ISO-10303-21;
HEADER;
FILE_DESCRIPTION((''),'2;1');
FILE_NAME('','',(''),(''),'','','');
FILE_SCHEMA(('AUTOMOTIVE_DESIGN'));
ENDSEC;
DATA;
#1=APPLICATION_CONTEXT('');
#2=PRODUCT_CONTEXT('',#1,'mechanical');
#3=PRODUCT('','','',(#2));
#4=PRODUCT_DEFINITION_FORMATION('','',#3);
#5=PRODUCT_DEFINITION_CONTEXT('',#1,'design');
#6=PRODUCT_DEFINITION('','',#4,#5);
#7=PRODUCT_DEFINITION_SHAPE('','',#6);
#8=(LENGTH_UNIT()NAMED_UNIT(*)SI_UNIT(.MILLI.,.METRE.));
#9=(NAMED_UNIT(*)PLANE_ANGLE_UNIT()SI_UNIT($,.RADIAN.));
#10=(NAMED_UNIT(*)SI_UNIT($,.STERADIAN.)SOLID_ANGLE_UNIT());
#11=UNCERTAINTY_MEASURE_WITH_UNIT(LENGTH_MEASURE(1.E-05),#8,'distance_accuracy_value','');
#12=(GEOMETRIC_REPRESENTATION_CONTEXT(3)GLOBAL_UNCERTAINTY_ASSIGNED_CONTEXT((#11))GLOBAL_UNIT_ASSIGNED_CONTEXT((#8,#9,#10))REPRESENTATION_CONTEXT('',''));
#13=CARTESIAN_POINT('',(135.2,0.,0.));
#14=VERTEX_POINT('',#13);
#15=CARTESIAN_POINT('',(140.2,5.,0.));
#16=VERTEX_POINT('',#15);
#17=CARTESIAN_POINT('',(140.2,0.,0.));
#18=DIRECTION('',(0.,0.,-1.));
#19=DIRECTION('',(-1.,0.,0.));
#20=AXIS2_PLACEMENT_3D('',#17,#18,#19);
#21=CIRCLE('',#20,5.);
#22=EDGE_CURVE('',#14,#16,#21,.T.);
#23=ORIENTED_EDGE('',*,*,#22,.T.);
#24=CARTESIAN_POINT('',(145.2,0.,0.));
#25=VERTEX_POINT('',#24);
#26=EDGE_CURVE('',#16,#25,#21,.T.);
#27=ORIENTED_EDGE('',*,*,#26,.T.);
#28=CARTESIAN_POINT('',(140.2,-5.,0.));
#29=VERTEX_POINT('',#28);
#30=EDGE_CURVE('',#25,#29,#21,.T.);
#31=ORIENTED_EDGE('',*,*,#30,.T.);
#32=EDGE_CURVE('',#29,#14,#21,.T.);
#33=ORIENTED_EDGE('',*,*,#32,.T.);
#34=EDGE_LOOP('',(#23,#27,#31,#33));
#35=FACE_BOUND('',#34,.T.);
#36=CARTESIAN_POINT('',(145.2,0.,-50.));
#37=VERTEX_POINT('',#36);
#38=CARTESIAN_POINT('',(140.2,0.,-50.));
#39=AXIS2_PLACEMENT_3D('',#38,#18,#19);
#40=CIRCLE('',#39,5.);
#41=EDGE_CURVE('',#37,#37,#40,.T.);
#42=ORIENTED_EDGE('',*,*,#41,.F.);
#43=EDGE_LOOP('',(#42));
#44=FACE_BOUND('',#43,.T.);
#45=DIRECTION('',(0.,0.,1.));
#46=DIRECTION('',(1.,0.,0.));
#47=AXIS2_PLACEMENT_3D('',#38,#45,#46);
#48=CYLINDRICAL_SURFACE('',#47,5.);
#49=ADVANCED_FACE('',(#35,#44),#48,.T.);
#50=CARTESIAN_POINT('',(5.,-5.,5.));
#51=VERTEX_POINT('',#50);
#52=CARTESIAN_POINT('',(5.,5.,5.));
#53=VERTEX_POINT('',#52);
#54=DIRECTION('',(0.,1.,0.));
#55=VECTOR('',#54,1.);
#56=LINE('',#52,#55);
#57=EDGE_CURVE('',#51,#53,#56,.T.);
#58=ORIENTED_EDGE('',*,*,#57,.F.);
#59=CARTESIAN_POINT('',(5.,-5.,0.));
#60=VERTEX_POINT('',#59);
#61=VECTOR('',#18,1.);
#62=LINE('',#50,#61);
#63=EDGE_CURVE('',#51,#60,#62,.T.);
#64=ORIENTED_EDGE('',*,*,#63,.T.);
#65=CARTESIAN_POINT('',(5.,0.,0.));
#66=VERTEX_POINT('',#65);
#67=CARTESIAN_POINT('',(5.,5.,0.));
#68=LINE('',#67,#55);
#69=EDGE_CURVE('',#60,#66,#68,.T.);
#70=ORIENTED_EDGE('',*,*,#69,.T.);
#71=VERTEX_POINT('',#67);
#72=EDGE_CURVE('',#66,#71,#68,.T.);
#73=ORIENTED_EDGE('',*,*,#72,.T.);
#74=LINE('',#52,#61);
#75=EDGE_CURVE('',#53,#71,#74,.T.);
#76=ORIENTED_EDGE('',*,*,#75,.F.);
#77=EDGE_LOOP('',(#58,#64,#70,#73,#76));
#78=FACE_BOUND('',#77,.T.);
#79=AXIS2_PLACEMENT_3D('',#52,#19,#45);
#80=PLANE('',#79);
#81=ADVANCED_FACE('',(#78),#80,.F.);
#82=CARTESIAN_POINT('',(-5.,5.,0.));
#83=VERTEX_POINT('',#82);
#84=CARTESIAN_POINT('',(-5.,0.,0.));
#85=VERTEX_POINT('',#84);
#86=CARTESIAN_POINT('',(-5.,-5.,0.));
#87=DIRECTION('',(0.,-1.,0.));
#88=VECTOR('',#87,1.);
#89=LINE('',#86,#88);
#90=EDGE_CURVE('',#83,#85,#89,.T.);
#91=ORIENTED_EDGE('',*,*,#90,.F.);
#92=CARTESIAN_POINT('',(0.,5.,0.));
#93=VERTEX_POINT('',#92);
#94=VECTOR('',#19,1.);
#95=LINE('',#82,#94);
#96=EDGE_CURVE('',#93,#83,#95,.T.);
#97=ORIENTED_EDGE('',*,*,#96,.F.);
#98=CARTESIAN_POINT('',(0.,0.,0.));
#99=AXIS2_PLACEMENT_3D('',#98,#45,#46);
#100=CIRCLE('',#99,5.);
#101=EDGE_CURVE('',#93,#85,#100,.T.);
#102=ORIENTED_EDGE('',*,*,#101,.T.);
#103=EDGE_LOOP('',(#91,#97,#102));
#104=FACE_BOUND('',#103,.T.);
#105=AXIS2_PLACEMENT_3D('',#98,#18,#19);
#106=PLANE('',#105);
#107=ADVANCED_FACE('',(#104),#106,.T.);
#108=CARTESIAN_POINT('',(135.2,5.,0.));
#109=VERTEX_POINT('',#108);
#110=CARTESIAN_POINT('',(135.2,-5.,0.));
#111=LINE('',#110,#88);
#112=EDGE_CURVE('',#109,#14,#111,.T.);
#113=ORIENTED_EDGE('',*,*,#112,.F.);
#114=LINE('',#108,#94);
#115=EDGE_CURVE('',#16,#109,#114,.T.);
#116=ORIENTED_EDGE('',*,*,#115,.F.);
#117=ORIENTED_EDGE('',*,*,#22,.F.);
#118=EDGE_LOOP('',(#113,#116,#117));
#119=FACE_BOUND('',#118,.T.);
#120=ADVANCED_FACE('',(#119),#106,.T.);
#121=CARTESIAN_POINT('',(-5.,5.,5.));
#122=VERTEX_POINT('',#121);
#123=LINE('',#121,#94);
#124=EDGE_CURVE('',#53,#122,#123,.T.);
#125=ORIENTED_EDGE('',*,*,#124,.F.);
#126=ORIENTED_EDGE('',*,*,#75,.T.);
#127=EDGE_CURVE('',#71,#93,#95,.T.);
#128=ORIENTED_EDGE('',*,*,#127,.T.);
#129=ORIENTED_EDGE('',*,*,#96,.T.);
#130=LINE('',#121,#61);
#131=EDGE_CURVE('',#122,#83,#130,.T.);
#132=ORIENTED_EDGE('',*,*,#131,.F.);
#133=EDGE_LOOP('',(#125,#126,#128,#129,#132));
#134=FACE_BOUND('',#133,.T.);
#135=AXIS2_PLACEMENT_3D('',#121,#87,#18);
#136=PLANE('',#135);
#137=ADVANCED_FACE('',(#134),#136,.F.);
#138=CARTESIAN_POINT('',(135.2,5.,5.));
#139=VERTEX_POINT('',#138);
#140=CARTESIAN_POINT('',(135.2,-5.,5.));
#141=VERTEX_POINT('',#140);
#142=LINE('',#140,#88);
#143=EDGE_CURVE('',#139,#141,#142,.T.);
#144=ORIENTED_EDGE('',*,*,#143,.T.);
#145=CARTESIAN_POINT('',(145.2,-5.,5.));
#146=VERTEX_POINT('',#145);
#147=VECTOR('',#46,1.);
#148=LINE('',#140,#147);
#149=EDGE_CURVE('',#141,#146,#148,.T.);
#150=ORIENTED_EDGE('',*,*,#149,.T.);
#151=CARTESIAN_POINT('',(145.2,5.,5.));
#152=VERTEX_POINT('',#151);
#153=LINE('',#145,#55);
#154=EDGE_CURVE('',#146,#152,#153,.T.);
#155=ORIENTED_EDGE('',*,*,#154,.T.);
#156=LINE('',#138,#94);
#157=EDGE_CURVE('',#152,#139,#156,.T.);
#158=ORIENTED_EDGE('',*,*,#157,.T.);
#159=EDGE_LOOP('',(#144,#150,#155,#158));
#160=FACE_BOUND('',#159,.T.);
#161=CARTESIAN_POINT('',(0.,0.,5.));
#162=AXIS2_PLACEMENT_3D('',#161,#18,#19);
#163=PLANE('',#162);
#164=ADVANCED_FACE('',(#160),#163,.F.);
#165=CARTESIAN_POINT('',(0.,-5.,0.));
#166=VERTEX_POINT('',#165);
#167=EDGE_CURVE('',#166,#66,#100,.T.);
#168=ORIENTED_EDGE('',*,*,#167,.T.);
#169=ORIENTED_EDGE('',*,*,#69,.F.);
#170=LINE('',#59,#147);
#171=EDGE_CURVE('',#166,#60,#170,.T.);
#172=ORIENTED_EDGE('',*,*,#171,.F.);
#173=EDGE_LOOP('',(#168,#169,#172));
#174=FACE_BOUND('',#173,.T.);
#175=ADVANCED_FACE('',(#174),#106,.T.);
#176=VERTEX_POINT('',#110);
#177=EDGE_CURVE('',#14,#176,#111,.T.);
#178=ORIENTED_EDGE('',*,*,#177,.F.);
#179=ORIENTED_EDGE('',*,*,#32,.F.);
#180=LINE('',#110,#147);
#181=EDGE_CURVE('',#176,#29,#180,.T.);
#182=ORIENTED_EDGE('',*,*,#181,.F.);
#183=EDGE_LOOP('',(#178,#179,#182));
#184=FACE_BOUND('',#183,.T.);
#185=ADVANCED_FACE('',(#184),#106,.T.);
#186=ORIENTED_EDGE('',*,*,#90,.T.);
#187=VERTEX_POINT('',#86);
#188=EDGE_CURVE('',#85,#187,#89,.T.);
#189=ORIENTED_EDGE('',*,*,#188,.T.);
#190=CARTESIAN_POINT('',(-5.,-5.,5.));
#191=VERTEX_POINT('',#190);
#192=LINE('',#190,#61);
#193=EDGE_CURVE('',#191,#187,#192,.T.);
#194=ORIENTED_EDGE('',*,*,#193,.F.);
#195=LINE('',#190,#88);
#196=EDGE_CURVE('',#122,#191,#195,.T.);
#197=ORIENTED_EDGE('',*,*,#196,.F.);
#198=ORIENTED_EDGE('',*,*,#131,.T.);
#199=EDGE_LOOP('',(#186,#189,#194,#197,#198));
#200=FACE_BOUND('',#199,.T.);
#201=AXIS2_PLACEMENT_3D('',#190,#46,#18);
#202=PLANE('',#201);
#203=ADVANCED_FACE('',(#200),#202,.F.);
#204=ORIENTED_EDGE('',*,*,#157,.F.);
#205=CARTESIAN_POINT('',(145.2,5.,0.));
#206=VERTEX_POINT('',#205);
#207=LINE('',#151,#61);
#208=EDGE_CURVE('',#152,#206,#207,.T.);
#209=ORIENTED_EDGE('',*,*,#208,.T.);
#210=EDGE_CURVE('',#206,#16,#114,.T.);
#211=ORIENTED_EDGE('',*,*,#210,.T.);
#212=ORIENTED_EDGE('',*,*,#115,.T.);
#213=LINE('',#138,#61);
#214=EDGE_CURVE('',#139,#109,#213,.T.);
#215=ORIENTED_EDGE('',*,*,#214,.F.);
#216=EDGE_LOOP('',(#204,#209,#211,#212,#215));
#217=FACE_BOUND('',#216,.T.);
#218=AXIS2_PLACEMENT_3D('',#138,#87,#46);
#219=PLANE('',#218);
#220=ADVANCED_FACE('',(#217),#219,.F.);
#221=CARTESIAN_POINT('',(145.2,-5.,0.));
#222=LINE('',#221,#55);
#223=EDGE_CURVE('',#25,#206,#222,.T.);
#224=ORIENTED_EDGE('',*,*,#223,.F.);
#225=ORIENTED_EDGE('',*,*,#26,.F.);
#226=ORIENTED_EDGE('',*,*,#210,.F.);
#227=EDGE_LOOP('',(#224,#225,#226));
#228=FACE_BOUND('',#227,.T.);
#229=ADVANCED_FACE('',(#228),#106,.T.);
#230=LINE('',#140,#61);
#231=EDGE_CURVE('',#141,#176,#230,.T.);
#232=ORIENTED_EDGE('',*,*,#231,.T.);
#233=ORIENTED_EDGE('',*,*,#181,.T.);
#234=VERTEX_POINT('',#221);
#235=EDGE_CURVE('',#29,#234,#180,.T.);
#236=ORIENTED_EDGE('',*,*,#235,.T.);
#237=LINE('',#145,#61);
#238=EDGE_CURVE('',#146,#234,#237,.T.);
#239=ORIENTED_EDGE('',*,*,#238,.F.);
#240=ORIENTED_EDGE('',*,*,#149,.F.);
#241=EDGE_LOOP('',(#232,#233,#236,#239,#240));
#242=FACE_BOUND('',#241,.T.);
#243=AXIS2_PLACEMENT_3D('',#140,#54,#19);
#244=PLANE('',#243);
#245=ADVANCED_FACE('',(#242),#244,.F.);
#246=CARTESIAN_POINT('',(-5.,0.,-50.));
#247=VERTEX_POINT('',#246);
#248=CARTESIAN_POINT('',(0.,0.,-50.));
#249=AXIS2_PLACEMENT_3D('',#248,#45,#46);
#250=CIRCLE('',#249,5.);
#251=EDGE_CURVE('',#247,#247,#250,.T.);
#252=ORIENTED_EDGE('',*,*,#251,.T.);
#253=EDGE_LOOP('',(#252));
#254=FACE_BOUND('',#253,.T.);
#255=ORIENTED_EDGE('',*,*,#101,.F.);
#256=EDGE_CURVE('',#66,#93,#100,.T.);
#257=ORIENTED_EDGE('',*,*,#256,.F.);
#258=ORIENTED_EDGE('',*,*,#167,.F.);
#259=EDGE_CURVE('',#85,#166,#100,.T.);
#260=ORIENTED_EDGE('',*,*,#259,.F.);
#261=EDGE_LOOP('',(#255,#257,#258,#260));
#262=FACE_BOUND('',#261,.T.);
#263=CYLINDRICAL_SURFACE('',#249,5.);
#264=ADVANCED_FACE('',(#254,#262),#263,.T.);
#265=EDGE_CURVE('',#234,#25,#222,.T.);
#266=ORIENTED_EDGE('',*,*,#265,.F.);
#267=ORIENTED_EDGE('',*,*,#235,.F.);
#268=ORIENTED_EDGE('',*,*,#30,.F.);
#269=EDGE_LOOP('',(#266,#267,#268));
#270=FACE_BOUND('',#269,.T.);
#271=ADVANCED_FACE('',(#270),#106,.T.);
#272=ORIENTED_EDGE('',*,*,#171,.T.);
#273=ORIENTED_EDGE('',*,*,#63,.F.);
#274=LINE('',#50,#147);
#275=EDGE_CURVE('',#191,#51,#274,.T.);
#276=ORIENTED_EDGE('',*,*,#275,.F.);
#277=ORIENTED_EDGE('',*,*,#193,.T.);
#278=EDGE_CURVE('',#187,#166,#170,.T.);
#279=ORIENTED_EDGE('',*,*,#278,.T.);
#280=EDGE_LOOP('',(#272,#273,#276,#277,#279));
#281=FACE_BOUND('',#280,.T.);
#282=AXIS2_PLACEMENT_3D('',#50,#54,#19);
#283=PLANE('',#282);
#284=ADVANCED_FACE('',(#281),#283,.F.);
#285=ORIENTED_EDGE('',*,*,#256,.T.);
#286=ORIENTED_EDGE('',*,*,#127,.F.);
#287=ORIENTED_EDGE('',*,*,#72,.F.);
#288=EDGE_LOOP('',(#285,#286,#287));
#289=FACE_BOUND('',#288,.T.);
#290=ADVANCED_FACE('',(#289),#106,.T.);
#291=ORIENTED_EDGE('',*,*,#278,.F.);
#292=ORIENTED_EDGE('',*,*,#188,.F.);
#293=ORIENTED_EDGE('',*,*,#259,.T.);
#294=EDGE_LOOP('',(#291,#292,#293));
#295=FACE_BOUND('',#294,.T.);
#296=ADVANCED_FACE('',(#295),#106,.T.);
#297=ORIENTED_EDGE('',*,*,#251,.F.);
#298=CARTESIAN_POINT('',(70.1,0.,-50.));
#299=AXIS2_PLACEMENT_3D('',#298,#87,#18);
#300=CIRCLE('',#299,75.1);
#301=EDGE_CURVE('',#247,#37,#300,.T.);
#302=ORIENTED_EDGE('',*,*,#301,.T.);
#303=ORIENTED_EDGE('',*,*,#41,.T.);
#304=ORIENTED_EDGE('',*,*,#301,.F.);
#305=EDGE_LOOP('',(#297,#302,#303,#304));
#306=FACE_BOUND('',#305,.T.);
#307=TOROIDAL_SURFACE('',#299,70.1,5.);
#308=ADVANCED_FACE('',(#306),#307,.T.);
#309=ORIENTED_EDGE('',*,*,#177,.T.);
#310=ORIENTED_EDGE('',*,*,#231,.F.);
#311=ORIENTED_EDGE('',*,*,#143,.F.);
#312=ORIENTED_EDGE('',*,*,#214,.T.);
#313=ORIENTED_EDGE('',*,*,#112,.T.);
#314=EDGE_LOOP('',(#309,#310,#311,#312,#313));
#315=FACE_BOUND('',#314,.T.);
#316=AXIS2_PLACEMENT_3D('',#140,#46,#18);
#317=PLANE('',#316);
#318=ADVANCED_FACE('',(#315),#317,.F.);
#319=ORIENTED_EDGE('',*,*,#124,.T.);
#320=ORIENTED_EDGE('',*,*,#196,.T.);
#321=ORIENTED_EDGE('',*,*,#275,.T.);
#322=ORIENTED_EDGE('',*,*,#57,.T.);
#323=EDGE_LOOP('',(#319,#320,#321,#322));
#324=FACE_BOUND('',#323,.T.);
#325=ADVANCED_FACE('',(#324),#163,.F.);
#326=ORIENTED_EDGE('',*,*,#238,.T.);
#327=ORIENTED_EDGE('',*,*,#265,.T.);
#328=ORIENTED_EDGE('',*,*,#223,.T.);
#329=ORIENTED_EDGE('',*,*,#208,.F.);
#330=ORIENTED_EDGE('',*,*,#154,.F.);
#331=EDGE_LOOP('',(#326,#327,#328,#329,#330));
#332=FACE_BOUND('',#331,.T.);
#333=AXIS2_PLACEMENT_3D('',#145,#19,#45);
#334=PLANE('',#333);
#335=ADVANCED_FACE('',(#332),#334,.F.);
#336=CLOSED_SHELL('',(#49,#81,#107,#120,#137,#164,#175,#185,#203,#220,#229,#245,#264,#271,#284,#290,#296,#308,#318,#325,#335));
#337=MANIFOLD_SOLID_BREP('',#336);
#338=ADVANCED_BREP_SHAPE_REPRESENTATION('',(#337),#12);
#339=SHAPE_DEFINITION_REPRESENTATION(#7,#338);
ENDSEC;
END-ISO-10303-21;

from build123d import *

# Parameters (mm, degrees)
SKETCH6_R           = 5
SKETCH8_W           = 10
SKETCH8_H           = 10
BOSS_EXTRUDE1_DEPTH = 5
SKETCH9_W           = 10
SKETCH9_H           = 10
BOSS_EXTRUDE2_DEPTH = 5


with BuildPart() as part:
    # Sweep1: sweep along a path in Sketch7
    with BuildLine(Plane(origin=(0, 0, 0), x_dir=(1, 0, 0), z_dir=(0, 1, 0))) as sweep1_path:
        Line((0, 0), (0, 50))
        ThreePointArc((0, 50), (70.1, 120.1), (140.2, 50))
        Line((140.2, 50), (140.2, 0))
    # Sketch6 → Sweep1 (sweep)
    with BuildSketch(Plane.XY):
        Circle(SKETCH6_R)
    sweep(path=sweep1_path.line)

    # Sketch8 → Boss-Extrude1 (add)
    with BuildSketch(Plane.XY):
        Rectangle(SKETCH8_W, SKETCH8_H)
    extrude(amount=BOSS_EXTRUDE1_DEPTH)

    # Sketch9 → Boss-Extrude2 (add)
    with BuildSketch(Plane.XY):
        with Locations((140.2, 0)):
            Rectangle(SKETCH9_W, SKETCH9_H)
    extrude(amount=BOSS_EXTRUDE2_DEPTH)


solid = part.part
